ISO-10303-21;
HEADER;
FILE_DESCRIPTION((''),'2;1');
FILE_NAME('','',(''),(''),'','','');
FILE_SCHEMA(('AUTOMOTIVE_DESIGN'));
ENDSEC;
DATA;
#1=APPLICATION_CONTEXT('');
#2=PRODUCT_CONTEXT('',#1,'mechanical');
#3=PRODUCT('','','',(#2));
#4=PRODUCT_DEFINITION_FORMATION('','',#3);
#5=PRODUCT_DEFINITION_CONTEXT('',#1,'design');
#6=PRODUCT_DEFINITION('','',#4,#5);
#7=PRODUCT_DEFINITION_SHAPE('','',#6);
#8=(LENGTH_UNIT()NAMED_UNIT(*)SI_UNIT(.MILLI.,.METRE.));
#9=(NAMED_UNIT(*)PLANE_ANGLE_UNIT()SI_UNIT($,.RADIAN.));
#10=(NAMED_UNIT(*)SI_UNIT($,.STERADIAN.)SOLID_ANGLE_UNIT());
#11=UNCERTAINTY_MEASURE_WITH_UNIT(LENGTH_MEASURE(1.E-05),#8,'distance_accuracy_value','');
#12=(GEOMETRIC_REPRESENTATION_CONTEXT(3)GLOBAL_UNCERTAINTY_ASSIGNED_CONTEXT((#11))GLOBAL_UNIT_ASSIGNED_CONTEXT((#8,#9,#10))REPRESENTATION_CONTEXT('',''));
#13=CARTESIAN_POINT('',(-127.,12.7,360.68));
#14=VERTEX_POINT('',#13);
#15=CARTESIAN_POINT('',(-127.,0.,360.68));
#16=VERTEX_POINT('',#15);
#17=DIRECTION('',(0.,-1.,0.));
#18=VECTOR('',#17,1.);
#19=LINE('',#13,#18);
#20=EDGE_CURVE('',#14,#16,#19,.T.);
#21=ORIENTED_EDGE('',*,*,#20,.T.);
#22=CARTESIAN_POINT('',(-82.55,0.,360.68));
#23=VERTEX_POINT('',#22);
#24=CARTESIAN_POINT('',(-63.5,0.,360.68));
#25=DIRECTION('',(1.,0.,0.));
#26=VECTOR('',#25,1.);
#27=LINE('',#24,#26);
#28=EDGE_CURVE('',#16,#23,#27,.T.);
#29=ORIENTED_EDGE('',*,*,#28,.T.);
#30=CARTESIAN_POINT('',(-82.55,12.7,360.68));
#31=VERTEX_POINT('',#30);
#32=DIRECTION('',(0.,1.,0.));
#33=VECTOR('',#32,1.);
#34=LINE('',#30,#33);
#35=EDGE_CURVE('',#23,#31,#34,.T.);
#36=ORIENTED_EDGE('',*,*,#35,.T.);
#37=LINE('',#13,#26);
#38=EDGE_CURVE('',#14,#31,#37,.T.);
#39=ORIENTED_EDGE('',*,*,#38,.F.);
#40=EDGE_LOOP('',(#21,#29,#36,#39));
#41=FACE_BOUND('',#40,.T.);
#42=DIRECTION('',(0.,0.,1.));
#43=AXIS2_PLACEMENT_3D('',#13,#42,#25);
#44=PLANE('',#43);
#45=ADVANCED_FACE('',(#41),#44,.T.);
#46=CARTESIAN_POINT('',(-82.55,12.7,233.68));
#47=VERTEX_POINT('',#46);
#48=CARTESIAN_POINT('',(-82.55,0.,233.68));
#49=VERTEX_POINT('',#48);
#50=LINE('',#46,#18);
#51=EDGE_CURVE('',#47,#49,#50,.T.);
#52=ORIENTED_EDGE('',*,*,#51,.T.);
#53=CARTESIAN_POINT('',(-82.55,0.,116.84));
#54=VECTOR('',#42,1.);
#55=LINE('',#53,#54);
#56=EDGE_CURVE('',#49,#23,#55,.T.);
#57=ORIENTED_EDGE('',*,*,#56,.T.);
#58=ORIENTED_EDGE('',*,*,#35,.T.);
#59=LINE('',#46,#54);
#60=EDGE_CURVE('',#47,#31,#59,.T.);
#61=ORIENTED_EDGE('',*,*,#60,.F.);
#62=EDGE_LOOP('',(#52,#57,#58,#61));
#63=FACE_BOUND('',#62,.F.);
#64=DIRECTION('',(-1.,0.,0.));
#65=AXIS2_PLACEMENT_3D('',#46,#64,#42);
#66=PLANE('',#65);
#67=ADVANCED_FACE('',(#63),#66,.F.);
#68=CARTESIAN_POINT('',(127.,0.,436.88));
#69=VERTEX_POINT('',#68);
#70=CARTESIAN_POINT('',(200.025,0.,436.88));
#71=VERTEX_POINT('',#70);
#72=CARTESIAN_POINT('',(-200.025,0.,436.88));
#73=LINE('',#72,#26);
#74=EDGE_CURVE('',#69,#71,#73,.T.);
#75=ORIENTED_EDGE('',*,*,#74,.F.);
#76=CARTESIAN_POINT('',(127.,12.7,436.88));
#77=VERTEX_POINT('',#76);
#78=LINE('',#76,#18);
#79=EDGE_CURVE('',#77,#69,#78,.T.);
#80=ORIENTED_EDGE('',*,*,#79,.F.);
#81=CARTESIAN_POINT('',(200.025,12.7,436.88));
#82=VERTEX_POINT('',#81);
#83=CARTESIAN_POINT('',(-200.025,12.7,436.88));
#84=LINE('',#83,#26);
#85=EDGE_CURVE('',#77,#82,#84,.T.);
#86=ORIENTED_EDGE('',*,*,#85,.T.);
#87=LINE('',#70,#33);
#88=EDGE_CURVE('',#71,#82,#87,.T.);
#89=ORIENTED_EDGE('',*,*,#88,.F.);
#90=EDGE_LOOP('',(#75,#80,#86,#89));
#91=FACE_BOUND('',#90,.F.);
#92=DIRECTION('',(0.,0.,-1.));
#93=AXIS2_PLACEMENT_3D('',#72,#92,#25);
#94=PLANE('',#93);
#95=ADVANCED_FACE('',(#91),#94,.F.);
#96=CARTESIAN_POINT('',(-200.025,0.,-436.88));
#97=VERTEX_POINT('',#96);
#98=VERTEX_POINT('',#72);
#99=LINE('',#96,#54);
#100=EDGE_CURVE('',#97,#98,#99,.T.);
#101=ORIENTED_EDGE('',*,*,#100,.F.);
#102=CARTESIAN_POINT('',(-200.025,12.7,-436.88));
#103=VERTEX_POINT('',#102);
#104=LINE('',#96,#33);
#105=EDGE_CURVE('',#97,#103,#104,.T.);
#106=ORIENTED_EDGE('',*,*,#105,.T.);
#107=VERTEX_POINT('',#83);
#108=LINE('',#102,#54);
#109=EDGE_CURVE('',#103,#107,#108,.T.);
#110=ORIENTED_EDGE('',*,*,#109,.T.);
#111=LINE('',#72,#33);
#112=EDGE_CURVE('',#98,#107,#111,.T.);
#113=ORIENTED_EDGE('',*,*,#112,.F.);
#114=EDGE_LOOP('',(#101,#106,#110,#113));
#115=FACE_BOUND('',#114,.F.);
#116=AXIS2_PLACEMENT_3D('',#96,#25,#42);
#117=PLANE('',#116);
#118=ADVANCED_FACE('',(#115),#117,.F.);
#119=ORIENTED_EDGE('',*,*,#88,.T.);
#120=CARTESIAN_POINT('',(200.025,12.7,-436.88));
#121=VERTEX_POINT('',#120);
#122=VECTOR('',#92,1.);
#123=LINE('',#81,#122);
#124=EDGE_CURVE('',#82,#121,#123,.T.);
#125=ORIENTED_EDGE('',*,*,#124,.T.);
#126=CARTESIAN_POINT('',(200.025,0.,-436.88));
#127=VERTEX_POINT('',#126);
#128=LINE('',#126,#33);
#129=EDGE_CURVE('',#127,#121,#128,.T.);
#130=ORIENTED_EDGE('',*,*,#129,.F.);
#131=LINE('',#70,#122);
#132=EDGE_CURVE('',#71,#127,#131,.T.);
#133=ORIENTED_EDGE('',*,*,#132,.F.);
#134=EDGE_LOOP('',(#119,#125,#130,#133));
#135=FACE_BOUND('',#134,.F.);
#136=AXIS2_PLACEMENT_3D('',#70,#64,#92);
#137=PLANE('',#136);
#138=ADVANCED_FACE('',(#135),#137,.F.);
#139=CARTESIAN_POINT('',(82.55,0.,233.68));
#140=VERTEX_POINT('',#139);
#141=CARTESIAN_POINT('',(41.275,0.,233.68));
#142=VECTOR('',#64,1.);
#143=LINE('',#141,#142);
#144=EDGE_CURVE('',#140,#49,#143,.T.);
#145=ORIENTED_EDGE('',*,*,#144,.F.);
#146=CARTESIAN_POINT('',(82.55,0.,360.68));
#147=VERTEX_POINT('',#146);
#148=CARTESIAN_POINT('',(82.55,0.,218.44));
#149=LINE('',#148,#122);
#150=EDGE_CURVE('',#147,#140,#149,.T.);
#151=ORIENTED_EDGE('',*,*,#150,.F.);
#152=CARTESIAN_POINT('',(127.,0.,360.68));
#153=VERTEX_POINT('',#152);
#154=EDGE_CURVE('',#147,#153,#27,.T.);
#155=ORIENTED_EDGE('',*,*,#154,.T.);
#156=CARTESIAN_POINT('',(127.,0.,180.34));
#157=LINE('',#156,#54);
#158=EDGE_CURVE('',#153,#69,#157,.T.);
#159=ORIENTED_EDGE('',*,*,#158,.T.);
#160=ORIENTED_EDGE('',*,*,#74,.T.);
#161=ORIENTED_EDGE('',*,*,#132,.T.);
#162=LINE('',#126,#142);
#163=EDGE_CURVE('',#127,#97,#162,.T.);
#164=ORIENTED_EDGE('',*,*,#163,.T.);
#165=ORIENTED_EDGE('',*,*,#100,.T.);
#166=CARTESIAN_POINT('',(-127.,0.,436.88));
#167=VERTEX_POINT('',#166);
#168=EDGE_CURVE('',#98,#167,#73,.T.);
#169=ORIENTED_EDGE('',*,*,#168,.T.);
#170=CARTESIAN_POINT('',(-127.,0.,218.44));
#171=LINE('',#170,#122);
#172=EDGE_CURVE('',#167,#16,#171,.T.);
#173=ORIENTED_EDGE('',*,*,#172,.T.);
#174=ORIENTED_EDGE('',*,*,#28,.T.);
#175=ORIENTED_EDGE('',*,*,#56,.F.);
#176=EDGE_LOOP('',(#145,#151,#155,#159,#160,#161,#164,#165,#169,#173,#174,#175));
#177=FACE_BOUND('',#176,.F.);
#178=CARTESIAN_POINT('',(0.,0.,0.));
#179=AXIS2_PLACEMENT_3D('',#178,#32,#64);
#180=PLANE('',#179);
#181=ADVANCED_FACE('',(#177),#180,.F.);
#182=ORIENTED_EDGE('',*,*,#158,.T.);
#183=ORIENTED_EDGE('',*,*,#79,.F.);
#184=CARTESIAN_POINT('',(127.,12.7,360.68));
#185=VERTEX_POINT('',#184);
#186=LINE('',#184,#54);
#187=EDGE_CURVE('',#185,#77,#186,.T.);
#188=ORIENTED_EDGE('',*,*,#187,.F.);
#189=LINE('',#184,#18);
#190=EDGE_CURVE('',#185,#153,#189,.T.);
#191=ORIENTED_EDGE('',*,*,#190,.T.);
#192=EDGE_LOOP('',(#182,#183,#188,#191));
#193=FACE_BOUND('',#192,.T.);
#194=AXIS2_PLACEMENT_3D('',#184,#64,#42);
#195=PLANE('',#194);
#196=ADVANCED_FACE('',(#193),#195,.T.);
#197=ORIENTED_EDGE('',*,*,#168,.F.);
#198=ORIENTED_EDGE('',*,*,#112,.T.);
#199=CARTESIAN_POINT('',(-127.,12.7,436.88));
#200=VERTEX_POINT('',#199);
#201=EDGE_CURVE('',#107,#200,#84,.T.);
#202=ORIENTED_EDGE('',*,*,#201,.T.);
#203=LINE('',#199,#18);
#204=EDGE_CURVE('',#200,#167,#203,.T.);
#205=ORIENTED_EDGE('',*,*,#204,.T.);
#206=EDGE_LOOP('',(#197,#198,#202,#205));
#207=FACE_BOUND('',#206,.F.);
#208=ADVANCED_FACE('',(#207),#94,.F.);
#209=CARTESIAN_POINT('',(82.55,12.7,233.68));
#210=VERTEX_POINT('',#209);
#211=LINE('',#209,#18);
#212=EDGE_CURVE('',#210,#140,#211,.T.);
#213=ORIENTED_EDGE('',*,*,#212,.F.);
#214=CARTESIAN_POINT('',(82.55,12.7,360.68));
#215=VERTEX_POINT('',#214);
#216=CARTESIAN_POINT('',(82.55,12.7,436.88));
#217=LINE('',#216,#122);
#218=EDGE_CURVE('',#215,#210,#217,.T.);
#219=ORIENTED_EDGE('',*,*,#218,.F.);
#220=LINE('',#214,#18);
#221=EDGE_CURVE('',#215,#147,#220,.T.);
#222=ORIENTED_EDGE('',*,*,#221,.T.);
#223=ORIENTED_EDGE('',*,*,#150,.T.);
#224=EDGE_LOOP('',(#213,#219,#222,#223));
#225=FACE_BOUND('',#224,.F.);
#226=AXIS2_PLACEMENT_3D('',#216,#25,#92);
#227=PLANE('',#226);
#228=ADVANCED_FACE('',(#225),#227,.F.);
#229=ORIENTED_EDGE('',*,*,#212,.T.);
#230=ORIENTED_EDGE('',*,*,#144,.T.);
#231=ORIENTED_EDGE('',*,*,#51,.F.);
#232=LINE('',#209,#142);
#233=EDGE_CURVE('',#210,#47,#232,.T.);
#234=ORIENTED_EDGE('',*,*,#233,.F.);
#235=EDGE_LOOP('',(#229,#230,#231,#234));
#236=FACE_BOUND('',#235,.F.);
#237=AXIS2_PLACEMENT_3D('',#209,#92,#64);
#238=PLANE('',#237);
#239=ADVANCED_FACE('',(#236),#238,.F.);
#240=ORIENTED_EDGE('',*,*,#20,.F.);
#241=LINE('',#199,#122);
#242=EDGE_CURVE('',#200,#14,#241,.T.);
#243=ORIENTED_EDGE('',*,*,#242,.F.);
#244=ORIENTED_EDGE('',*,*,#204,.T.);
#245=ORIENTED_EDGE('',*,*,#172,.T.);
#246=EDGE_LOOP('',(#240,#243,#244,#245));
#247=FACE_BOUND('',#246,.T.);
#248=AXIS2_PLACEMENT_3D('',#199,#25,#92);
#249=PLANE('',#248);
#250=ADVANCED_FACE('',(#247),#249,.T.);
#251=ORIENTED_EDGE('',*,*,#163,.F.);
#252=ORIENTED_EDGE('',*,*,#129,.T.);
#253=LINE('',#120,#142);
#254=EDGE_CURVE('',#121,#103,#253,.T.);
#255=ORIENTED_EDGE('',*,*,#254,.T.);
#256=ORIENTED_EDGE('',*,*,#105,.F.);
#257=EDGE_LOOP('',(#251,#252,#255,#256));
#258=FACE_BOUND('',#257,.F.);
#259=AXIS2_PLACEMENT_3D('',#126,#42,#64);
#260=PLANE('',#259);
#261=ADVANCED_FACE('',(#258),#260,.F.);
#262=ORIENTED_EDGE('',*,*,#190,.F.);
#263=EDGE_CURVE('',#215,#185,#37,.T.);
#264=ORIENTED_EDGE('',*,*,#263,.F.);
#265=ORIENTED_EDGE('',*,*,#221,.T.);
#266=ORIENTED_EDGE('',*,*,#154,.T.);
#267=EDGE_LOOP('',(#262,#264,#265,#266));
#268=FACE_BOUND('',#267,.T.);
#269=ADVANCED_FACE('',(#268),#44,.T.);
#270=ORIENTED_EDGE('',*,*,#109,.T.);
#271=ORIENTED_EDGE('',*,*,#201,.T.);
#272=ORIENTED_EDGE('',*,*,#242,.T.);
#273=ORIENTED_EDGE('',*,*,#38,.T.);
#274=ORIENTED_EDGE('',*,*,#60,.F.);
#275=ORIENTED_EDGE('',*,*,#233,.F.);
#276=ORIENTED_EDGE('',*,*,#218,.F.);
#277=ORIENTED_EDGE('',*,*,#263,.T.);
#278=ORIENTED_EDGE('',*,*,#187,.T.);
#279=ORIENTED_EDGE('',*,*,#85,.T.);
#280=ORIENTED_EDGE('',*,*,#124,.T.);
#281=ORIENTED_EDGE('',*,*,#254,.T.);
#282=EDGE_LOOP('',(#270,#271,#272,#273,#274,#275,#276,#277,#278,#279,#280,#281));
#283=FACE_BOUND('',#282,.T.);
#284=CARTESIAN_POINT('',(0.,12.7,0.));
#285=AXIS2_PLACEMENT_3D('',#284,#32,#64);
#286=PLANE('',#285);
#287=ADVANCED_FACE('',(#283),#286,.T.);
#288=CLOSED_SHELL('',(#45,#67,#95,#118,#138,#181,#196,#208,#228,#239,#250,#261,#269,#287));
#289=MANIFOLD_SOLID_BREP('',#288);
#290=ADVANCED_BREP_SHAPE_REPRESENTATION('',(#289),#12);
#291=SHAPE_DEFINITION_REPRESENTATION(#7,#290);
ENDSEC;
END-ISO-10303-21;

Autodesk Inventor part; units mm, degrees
ref_plane "YZ Plane" through (0, 0, 0) normal (1, 0, 0) x (0, 1, 0)
ref_plane "XZ Plane" through (0, 0, 0) normal (0, 1, 0) x (-1, 0, 0)
ref_plane "XY Plane" through (0, 0, 0) normal (0, 0, 1) x (1, 0, 0)
sketch "Sketch1" plane through (0, 0, 0) normal (0, 1, 0) x (-1, 0, 0)
  line L0 (200.025, 436.88) -> (-200.025, 436.88)
  line L1 (-200.025, 436.88) -> (-200.025, -436.88)
  line L2 (-200.025, -436.88) -> (200.025, -436.88)
  line L3 (200.025, -436.88) -> (200.025, 436.88)
  line L4 (200.025, 436.88) -> (-200.025, -436.88) construction
  line L5 (-200.025, 436.88) -> (200.025, -436.88) construction
  point P0 (0, 0)
  dimension "d0" = 400.05
  dimension "d1" = 873.76
extrude "Extrusion1" add sketch "Sketch1" along normal blind 12.7
sketch "Sketch4" plane through (0, 12.7, 0) normal (0, 1, 0) x (1, 0, 0)
  line L0 (-82.55, -436.88) -> (82.55, -436.88)
  line L1 (82.55, -436.88) -> (82.55, -233.68)
  line L2 (82.55, -233.68) -> (-82.55, -233.68)
  line L3 (-82.55, -233.68) -> (-82.55, -436.88)
  line L4 (-82.55, -436.88) -> (82.55, -233.68) construction
  line L5 (82.55, -436.88) -> (-82.55, -233.68) construction
  line L6 (-200.025, -436.88) -> (200.025, -436.88) projected
  line L7 (-200.025, 436.88) -> (-200.025, -436.88) projected
  line L8 (200.025, -436.88) -> (200.025, 436.88) projected
  point P0 (0, 0)
  point P1 (0, -335.28)
  dimension "d11" = 0
  dimension "d12" = 165.1
  dimension "d13" = 203.2
  dimension "d19" = 117.475
  dimension "d20" = 117.475
extrude "Extrusion2" cut sketch "Sketch4" against normal through all
sketch "Sketch6" plane through (0, 12.7, 0) normal (0, 1, 0) x (1, 0, 0)
  line L0 (0, 0) -> (0, -436.88) construction
  line L1 (-127, -360.68) -> (127, -360.68)
  line L2 (127, -360.68) -> (127, -436.88)
  line L3 (127, -436.88) -> (-127, -436.88)
  line L4 (-127, -436.88) -> (-127, -360.68)
  line L5 (-127, -360.68) -> (127, -436.88) construction
  line L6 (127, -360.68) -> (-127, -436.88) construction
  line L7 (-200.025, -436.88) -> (-82.55, -436.88) projected
  point P0 (0, -398.78)
  dimension "d24" = 254
  dimension "d25" = 76.2
extrude "Extrusion4" cut sketch "Sketch6" against normal through all
properties part number "2020 Wood Base" material "Wood (Birch)"
